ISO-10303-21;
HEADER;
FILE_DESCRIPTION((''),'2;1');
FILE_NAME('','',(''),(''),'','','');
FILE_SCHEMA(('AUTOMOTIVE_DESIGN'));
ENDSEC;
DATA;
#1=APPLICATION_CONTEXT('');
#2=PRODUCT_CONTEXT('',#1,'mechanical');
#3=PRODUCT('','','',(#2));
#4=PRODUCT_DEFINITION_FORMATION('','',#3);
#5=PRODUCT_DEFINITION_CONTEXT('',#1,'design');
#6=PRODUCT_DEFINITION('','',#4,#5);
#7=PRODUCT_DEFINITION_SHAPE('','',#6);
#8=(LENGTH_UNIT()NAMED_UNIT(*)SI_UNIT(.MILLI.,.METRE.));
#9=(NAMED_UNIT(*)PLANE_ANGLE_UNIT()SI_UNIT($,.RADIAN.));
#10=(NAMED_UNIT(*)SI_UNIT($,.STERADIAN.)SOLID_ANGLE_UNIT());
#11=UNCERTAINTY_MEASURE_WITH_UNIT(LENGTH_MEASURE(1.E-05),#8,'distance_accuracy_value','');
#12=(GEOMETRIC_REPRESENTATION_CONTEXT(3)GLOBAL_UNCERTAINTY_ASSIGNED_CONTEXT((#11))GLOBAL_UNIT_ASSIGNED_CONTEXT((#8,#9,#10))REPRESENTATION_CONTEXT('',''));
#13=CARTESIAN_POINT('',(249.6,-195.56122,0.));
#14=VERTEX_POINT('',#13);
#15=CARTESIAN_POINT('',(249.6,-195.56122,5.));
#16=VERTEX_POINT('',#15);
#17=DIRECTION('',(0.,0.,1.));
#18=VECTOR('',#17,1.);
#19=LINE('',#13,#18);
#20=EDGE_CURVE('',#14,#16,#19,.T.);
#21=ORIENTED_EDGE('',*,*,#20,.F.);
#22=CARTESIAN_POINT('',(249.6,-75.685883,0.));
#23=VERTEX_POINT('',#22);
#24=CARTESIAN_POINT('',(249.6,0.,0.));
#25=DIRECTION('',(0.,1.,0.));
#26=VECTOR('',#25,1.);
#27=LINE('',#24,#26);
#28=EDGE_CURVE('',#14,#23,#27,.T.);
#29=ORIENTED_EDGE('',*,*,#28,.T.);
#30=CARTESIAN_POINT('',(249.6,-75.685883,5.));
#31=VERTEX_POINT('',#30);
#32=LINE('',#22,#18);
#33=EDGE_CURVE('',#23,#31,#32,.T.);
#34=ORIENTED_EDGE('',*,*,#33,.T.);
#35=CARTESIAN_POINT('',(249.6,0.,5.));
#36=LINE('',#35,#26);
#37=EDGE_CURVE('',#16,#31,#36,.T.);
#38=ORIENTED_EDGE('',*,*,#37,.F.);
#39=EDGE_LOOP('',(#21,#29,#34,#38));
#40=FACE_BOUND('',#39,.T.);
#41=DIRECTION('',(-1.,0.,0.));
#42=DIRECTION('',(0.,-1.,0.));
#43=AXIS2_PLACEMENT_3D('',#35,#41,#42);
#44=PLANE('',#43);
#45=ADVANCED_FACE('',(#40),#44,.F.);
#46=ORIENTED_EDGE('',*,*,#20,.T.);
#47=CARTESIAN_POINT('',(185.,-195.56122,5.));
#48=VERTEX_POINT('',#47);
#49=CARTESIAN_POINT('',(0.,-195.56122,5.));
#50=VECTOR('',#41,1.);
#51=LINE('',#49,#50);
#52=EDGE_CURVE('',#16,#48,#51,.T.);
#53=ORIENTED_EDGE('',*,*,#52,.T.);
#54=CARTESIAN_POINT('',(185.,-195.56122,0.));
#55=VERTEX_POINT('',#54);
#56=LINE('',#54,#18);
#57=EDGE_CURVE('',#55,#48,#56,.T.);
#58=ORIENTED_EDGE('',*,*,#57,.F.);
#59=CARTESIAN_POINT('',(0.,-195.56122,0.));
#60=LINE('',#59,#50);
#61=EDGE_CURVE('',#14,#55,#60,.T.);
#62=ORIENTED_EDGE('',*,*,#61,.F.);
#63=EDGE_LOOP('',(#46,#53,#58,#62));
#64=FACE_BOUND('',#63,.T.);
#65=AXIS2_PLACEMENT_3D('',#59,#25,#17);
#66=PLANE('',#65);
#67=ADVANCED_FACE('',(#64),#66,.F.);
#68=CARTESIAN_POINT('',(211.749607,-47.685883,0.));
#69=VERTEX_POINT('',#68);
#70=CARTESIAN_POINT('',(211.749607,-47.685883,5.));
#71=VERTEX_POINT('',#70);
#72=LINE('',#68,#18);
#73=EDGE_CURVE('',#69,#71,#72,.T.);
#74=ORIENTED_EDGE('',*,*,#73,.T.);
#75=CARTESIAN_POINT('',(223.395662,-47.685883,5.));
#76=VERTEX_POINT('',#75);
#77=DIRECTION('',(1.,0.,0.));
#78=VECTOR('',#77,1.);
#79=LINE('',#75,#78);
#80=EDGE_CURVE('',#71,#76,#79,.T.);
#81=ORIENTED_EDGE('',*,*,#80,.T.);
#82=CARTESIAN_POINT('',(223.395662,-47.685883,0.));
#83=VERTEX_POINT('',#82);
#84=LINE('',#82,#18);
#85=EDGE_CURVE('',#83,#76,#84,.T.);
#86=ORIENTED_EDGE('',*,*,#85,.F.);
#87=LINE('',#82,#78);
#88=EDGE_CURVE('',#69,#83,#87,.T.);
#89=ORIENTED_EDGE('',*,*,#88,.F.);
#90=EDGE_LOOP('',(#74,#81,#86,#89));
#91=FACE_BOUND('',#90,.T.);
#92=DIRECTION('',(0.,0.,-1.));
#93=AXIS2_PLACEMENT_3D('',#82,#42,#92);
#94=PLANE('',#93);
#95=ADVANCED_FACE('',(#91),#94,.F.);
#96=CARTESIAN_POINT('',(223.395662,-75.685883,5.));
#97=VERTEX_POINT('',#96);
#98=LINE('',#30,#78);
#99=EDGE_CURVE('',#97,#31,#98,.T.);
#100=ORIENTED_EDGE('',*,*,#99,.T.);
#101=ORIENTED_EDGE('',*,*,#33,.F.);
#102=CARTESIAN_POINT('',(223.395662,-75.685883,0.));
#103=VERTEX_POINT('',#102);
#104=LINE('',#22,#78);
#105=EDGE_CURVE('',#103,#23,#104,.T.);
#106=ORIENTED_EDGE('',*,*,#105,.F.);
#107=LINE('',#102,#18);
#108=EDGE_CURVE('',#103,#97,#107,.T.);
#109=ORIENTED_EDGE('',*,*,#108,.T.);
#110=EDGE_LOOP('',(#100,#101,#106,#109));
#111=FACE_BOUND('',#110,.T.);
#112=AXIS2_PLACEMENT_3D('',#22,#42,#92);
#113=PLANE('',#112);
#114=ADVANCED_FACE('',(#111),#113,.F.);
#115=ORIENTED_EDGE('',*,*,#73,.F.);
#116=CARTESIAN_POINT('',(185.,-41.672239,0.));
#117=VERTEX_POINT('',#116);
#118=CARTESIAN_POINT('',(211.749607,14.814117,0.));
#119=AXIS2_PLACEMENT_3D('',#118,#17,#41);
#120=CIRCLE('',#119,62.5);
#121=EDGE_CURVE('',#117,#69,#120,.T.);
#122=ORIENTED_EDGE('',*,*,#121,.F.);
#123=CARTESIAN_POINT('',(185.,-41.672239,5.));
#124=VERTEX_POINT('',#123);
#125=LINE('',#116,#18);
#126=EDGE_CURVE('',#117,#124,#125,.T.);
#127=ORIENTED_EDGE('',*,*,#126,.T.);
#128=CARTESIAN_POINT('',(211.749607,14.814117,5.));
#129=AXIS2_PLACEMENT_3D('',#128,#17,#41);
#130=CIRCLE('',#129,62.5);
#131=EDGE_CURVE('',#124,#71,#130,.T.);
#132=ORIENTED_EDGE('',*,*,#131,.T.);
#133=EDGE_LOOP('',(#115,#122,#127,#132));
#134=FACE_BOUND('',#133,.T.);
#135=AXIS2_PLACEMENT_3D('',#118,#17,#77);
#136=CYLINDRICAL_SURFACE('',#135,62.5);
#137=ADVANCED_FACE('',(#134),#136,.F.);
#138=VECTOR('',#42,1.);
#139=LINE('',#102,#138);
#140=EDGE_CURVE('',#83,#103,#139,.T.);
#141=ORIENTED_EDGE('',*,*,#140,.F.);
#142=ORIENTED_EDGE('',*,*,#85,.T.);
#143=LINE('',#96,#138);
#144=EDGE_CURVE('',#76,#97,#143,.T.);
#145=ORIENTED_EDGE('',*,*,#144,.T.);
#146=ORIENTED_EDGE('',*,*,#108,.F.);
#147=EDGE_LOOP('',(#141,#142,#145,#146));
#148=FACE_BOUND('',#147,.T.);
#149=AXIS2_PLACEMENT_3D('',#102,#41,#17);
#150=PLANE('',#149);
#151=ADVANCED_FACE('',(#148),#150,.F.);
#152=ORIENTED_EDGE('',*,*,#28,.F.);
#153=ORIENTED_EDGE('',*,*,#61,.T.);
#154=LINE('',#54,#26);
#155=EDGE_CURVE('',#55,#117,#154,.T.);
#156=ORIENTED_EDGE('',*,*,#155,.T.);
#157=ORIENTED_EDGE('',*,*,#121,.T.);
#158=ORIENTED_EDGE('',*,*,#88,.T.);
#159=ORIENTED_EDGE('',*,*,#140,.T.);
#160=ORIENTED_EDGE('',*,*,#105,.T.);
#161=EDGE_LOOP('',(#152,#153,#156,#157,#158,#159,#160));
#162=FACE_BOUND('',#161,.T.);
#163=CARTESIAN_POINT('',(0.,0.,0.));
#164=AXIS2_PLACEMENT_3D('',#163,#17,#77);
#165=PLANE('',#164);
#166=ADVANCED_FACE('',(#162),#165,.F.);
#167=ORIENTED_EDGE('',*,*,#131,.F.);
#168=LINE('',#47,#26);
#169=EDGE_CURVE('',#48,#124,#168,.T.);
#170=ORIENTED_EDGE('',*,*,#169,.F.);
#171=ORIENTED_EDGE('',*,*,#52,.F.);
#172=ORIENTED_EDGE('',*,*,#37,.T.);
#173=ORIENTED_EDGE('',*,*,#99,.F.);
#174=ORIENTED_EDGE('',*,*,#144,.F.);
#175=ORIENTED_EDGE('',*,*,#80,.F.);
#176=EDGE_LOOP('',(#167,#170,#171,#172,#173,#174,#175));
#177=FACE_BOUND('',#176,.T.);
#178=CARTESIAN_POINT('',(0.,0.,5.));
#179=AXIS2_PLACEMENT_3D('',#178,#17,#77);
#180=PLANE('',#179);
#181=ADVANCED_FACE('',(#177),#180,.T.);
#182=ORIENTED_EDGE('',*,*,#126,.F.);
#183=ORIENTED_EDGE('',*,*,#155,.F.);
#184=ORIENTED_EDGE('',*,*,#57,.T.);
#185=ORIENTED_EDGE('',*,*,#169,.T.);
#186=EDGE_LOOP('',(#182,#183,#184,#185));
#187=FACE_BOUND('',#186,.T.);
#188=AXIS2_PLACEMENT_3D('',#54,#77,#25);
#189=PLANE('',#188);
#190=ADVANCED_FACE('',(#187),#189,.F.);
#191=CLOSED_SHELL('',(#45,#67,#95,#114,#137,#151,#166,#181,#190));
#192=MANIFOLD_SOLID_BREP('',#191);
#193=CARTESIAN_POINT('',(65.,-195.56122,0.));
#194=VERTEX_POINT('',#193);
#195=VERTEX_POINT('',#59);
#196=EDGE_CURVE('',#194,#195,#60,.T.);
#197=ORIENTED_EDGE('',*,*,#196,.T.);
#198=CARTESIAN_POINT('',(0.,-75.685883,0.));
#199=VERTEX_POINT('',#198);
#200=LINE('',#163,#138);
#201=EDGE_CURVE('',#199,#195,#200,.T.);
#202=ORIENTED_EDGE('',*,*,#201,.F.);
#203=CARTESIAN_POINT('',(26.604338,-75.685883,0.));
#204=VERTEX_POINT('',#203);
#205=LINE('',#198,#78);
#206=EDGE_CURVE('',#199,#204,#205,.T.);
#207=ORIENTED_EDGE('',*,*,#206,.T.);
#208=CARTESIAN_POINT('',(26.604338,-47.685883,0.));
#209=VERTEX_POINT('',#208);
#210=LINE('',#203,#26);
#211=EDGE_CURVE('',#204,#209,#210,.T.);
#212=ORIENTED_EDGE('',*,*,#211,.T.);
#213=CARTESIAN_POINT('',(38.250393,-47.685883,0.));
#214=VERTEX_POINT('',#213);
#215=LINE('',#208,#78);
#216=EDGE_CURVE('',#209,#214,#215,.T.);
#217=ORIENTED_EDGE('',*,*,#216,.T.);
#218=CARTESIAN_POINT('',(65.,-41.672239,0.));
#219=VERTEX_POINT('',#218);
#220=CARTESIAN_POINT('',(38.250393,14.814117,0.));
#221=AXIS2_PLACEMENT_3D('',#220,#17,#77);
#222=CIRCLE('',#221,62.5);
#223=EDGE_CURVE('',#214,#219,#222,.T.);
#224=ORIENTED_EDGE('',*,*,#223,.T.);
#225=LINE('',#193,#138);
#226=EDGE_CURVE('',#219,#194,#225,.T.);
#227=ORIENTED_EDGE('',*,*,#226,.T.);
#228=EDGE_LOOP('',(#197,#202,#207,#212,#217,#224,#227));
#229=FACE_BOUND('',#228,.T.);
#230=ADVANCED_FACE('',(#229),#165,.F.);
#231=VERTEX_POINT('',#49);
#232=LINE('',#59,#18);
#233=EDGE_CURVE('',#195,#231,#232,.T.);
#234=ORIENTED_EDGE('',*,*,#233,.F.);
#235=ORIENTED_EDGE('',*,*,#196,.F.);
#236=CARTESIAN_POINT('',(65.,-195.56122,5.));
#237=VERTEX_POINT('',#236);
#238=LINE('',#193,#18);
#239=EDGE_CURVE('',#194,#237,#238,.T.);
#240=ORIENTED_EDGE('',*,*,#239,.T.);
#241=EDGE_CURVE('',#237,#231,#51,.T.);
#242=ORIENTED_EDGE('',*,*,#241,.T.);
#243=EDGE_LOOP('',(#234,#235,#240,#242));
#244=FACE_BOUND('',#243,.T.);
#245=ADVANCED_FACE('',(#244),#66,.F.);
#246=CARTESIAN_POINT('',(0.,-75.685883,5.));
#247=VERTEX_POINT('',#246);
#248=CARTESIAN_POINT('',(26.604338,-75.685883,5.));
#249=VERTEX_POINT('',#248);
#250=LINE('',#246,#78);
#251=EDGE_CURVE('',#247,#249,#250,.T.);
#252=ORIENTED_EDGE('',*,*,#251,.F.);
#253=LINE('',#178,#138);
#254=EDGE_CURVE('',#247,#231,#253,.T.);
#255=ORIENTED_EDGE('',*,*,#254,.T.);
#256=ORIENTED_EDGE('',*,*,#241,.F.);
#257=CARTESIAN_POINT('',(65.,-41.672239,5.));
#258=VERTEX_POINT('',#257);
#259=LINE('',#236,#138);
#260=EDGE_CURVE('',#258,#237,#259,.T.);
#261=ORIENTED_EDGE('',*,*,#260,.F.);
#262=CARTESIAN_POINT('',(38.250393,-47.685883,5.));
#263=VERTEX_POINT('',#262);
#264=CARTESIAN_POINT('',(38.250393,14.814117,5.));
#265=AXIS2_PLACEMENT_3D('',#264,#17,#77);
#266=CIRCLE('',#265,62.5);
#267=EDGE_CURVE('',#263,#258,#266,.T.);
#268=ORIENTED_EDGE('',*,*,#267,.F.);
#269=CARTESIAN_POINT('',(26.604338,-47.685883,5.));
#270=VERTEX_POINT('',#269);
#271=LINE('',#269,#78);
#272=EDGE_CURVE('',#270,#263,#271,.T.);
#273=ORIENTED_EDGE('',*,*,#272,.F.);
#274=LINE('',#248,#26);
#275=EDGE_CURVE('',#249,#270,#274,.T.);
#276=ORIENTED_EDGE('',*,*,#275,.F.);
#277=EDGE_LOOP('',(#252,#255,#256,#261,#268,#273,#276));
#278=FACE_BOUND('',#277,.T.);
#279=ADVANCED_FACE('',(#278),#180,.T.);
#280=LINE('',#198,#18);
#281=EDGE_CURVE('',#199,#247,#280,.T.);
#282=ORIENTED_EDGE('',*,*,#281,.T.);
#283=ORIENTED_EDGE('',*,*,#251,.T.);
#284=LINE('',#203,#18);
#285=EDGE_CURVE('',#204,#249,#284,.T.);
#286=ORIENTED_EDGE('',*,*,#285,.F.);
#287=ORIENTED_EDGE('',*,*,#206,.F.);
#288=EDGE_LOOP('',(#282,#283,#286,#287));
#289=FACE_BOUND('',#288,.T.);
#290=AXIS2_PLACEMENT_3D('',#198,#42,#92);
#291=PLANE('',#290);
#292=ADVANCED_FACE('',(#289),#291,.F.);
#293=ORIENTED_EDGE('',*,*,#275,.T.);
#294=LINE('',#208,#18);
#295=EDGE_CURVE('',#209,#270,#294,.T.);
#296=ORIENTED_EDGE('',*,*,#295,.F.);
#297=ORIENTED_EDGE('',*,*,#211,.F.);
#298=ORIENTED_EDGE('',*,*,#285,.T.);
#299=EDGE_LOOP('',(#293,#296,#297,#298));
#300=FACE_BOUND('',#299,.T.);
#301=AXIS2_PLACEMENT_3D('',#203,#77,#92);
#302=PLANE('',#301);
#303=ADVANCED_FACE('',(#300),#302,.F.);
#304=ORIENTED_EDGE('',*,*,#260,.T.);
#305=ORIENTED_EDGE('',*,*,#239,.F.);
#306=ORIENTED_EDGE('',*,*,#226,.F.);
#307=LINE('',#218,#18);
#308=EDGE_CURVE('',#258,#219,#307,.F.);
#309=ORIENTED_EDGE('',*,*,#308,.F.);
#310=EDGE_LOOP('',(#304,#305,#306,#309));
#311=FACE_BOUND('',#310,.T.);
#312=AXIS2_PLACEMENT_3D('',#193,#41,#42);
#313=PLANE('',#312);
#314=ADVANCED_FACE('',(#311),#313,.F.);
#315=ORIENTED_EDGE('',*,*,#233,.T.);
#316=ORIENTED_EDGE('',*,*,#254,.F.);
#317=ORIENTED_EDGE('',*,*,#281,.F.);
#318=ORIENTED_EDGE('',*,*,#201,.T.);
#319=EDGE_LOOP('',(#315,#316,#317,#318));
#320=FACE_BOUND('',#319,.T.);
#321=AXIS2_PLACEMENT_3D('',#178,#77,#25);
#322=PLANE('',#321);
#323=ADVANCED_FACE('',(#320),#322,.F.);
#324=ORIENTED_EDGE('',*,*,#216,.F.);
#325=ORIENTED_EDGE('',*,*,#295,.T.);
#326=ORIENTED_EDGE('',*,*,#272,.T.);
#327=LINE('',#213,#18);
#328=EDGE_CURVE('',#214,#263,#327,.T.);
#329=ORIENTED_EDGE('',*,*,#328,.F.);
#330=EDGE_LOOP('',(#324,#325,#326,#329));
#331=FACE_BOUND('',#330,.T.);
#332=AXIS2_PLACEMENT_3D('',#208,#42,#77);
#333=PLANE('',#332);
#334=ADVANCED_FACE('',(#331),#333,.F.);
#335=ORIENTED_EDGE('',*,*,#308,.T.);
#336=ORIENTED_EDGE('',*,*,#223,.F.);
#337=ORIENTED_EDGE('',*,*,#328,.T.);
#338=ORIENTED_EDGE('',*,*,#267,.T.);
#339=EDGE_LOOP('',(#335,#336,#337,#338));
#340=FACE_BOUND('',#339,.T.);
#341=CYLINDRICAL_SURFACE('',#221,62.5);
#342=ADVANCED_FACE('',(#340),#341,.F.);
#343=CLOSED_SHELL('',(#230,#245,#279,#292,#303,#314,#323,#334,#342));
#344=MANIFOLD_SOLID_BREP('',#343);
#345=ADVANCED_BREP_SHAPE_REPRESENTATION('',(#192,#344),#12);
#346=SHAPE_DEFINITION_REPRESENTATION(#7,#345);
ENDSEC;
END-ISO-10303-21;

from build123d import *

# Parameters (mm, degrees)
SKETCH1_W           = 249.6
SKETCH1_H           = 267.4
BOSS_EXTRUDE1_DEPTH = 5
SKETCH5_W           = 249.6
SKETCH5_H           = 71.838779628
CUT_EXTRUDE3_DEPTH  = 6
SKETCH7_W           = 120
SKETCH7_H           = 195.561220372
CUT_EXTRUDE4_DEPTH  = 6


with BuildPart() as part:
    # Sketch1 → Boss-Extrude1 (new body)
    with BuildSketch(Plane.XY):
        with Locations((124.8, -133.7)):
            Rectangle(SKETCH1_W, SKETCH1_H)
    extrude(amount=BOSS_EXTRUDE1_DEPTH)

    # Sketch5 → Cut-Extrude3 (cut, through all)
    with BuildSketch(Plane.XY.offset(5)):
        with Locations((124.8, -231.480610186)):
            Rectangle(SKETCH5_W, SKETCH5_H)
        with BuildLine():
            Line((151.030648939, 0), (249.6, 0))
            Line((249.6, 0), (249.6, -75.685882669))
            Line((249.6, -75.685882669), (223.395661642, -75.685882669))
            Line((223.395661642, -75.685882669), (223.395661642, -47.685882669))
            Line((223.395661642, -47.685882669), (211.749607492, -47.685882669))
            ThreePointArc((211.749607492, -47.685882669), (173.146708204, -34.339378644), (151.030648939, 0))
        make_face()
        with BuildLine():
            Line((98.969351061, 0), (0, 0))
            Line((0, 0), (0, -75.685882669))
            Line((0, -75.685882669), (26.604338358, -75.685882669))
            Line((26.604338358, -75.685882669), (26.604338358, -47.685882669))
            Line((26.604338358, -47.685882669), (38.250392508, -47.685882669))
            ThreePointArc((38.250392508, -47.685882669), (76.853291796, -34.339378644), (98.969351061, 0))
        make_face()
    extrude(amount=-CUT_EXTRUDE3_DEPTH, mode=Mode.SUBTRACT)

    # Sketch7 → Cut-Extrude4 (cut, through all)
    with BuildSketch(Plane.XY.offset(5)):
        with Locations((125, -97.780610186)):
            Rectangle(SKETCH7_W, SKETCH7_H)
    extrude(amount=-CUT_EXTRUDE4_DEPTH, mode=Mode.SUBTRACT)


solid = part.part
